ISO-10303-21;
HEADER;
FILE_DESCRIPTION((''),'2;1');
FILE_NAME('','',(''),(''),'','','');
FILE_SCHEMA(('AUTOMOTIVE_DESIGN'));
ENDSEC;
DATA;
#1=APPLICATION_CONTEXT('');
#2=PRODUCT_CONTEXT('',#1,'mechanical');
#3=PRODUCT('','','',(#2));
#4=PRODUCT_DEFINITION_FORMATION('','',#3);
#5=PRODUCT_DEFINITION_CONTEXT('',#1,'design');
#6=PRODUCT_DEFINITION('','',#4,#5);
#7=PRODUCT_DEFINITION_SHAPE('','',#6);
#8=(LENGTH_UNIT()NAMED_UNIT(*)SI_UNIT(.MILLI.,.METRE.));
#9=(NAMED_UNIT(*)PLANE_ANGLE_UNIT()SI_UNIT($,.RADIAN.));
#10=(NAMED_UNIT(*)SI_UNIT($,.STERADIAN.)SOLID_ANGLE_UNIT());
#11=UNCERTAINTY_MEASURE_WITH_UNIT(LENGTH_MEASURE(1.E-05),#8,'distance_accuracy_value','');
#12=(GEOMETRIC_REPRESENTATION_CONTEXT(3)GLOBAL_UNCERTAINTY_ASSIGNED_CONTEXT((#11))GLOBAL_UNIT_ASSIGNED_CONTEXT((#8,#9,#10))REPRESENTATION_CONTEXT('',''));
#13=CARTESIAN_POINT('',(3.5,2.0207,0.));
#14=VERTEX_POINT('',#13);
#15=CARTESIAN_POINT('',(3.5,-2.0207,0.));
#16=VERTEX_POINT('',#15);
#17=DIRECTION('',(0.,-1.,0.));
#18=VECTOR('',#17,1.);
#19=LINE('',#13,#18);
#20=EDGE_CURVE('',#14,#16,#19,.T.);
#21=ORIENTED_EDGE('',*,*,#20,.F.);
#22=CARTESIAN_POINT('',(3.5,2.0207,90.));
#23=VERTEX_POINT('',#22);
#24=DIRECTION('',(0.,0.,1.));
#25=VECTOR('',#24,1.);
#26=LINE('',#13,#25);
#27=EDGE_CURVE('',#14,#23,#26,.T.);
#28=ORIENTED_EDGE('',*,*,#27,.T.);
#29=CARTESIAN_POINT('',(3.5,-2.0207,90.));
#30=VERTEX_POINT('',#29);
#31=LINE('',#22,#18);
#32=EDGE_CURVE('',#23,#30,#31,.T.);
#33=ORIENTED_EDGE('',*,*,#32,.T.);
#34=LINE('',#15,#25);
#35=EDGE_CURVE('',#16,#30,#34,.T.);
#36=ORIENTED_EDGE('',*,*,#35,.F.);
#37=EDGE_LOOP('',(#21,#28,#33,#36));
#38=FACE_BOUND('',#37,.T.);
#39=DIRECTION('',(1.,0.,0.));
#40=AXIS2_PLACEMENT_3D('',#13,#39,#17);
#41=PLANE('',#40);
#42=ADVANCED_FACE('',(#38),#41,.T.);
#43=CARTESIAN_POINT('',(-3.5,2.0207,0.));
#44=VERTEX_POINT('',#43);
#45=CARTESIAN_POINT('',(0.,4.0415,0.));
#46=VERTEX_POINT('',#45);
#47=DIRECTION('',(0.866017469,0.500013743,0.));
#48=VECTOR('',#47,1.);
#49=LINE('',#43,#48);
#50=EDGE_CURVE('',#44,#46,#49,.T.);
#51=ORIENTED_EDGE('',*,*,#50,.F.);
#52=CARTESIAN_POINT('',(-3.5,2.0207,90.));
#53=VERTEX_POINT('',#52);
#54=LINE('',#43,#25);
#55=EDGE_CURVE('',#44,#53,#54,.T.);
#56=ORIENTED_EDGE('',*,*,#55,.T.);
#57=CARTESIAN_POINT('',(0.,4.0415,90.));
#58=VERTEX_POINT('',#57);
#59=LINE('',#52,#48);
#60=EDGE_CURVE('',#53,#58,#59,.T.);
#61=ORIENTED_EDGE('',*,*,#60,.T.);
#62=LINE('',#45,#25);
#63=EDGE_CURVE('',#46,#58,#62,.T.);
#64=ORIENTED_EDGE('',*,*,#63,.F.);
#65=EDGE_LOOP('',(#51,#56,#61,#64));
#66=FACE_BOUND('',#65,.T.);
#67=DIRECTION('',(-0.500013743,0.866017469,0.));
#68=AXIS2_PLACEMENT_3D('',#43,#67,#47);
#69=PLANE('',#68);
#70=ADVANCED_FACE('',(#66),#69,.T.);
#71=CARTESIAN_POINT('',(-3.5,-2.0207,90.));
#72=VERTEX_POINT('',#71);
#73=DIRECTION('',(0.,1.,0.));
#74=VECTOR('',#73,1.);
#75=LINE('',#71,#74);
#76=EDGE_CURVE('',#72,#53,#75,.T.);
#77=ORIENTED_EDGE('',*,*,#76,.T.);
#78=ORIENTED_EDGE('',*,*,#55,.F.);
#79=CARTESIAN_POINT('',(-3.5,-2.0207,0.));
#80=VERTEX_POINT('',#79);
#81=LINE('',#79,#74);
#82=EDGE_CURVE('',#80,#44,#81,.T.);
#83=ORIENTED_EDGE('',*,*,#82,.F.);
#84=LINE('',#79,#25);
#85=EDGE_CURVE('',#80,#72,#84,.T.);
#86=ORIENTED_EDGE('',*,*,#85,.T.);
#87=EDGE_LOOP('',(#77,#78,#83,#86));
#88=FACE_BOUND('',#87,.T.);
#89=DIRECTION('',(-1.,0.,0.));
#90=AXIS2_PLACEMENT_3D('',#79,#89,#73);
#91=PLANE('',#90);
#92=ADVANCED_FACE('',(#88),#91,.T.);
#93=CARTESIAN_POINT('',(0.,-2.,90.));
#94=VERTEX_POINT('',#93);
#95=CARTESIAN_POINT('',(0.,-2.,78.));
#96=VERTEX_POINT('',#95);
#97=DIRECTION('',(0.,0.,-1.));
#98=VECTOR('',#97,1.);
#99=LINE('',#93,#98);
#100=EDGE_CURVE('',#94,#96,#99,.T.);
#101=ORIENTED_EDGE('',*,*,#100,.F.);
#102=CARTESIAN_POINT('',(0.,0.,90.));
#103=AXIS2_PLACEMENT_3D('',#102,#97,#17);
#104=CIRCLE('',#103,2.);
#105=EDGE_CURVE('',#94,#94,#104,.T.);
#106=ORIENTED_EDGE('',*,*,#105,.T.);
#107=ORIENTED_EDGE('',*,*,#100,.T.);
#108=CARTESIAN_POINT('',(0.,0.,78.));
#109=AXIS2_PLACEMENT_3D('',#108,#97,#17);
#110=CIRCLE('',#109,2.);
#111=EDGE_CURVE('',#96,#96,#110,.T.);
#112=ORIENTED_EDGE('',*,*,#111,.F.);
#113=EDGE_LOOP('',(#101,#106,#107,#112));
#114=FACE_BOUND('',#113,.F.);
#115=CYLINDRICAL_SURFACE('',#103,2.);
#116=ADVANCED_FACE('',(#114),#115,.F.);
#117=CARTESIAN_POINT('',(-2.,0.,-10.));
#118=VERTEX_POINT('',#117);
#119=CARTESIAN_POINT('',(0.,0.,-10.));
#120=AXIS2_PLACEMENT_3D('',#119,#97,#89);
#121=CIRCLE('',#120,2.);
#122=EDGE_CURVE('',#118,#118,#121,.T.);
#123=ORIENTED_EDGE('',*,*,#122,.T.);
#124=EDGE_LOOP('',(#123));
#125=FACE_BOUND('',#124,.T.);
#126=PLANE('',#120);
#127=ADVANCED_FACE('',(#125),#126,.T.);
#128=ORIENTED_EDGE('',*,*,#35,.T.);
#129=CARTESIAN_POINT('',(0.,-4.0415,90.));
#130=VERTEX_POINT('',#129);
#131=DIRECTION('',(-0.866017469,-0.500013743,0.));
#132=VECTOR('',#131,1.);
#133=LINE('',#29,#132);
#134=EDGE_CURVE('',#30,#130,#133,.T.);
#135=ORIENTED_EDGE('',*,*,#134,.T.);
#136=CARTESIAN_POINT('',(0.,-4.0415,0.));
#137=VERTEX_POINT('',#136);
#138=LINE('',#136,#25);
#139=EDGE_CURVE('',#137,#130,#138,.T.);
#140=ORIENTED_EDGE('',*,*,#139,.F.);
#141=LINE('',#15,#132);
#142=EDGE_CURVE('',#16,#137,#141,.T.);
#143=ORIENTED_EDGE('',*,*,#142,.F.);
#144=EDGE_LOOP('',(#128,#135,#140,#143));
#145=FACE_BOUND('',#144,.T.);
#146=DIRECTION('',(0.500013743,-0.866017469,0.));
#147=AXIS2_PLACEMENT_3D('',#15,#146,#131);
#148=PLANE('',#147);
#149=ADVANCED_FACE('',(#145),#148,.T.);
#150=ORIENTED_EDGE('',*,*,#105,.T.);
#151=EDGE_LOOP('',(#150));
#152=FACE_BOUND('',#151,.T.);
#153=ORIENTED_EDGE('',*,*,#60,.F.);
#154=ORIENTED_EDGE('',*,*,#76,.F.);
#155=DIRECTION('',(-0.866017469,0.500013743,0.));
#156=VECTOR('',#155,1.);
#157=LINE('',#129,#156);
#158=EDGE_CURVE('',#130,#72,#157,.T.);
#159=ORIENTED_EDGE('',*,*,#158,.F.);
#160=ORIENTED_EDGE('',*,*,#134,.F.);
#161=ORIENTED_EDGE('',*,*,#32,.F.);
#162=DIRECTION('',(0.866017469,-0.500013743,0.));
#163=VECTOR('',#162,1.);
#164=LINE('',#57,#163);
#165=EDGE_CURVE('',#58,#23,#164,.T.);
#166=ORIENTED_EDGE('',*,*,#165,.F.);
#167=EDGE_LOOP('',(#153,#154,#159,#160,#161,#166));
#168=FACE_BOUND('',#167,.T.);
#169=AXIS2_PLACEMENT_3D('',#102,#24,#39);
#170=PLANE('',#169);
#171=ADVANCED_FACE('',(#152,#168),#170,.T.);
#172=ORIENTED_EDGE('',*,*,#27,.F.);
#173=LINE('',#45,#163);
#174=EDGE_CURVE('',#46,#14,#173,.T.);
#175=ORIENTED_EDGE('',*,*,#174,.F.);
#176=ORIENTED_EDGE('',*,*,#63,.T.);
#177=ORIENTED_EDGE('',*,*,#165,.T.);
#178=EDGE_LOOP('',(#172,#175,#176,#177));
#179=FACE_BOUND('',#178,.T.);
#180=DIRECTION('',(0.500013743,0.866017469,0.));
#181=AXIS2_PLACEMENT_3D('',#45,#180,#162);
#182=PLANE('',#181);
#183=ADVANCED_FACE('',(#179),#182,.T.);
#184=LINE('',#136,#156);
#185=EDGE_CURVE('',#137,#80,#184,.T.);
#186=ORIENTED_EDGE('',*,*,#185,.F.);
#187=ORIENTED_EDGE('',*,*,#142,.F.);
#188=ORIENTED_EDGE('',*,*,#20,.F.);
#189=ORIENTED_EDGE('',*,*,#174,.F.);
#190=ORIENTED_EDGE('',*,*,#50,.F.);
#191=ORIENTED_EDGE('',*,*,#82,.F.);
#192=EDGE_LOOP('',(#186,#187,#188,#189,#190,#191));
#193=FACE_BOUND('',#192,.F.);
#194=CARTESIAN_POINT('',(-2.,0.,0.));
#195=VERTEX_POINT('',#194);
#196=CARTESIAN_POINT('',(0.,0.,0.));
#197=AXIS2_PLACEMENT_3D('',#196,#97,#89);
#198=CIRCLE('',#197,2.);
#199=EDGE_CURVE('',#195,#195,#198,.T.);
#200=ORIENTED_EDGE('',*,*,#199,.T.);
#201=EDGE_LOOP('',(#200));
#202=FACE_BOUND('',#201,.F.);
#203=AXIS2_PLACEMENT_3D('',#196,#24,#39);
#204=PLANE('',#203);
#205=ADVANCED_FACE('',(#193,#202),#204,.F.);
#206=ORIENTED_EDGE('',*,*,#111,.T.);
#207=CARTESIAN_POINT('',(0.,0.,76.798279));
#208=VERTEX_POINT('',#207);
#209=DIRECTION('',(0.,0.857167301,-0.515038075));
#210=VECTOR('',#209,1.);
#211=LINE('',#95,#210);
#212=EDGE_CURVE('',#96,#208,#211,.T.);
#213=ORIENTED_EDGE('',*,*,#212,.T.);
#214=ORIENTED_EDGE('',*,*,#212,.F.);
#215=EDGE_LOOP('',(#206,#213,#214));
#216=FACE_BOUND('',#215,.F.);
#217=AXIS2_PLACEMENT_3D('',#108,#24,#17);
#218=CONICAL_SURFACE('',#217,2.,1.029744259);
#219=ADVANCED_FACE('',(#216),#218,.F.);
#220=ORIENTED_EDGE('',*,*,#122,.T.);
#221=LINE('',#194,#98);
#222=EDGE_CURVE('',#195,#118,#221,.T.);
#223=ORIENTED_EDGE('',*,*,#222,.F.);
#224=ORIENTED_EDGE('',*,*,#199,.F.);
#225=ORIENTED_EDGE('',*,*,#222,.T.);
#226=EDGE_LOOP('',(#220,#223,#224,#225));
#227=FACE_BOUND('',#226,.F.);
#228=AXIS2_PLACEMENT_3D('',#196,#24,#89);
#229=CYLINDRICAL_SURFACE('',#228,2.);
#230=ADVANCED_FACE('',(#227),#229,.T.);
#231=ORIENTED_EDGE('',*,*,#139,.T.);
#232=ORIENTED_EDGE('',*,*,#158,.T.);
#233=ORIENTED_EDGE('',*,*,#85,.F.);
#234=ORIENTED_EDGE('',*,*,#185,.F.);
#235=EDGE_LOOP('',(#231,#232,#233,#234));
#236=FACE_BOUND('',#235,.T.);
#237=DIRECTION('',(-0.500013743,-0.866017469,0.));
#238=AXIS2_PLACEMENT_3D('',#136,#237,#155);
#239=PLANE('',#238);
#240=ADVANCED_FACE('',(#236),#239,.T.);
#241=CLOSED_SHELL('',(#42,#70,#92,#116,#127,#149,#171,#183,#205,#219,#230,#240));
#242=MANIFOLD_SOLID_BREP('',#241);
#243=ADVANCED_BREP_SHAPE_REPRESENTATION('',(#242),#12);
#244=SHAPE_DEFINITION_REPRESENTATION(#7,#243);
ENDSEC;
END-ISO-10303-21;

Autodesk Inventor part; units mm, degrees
ref_plane "YZ Plane" through (0, 0, 0) normal (1, 0, 0) x (0, 1, 0)
ref_plane "XZ Plane" through (0, 0, 0) normal (0, 1, 0) x (-1, 0, 0)
ref_plane "XY Plane" through (0, 0, 0) normal (0, 0, 1) x (1, 0, 0)
sketch "スケッチ1" plane through (0, 0, 0) normal (0, 0, 1) x (1, 0, 0)
  circle A0 centre (0, 0) radius 3.5 construction
  line L0 (3.5, -2.0207) -> (0, -4.0415)
  line L1 (0, -4.0415) -> (-3.5, -2.0207)
  line L2 (-3.5, -2.0207) -> (-3.5, 2.0207)
  line L3 (-3.5, 2.0207) -> (0, 4.0415)
  line L4 (0, 4.0415) -> (3.5, 2.0207)
  line L5 (3.5, 2.0207) -> (3.5, -2.0207)
  point P0 (3.5, 0)
  dimension "d0" = 7
extrude "押し出し1" add sketch "スケッチ1" along normal blind 90
sketch "スケッチ2" plane through (0, 0, 90) normal (0, 0, 1) x (1, 0, 0)
  point P0 (0, 0)
  point P1 (0, 0)
hole "穴1" at (0, 0, 90) direction (0, 0, -1) diameter 4 depth 12 tip angle 118
sketch "スケッチ3" plane through (0, 0, 0) normal (0, 0, -1) x (-1, 0, 0)
  circle A0 centre (0, 0) radius 2
  dimension "d10" = 4
extrude "押し出し2" add sketch "スケッチ3" along normal blind 10
properties part number "六角スペーサー"
